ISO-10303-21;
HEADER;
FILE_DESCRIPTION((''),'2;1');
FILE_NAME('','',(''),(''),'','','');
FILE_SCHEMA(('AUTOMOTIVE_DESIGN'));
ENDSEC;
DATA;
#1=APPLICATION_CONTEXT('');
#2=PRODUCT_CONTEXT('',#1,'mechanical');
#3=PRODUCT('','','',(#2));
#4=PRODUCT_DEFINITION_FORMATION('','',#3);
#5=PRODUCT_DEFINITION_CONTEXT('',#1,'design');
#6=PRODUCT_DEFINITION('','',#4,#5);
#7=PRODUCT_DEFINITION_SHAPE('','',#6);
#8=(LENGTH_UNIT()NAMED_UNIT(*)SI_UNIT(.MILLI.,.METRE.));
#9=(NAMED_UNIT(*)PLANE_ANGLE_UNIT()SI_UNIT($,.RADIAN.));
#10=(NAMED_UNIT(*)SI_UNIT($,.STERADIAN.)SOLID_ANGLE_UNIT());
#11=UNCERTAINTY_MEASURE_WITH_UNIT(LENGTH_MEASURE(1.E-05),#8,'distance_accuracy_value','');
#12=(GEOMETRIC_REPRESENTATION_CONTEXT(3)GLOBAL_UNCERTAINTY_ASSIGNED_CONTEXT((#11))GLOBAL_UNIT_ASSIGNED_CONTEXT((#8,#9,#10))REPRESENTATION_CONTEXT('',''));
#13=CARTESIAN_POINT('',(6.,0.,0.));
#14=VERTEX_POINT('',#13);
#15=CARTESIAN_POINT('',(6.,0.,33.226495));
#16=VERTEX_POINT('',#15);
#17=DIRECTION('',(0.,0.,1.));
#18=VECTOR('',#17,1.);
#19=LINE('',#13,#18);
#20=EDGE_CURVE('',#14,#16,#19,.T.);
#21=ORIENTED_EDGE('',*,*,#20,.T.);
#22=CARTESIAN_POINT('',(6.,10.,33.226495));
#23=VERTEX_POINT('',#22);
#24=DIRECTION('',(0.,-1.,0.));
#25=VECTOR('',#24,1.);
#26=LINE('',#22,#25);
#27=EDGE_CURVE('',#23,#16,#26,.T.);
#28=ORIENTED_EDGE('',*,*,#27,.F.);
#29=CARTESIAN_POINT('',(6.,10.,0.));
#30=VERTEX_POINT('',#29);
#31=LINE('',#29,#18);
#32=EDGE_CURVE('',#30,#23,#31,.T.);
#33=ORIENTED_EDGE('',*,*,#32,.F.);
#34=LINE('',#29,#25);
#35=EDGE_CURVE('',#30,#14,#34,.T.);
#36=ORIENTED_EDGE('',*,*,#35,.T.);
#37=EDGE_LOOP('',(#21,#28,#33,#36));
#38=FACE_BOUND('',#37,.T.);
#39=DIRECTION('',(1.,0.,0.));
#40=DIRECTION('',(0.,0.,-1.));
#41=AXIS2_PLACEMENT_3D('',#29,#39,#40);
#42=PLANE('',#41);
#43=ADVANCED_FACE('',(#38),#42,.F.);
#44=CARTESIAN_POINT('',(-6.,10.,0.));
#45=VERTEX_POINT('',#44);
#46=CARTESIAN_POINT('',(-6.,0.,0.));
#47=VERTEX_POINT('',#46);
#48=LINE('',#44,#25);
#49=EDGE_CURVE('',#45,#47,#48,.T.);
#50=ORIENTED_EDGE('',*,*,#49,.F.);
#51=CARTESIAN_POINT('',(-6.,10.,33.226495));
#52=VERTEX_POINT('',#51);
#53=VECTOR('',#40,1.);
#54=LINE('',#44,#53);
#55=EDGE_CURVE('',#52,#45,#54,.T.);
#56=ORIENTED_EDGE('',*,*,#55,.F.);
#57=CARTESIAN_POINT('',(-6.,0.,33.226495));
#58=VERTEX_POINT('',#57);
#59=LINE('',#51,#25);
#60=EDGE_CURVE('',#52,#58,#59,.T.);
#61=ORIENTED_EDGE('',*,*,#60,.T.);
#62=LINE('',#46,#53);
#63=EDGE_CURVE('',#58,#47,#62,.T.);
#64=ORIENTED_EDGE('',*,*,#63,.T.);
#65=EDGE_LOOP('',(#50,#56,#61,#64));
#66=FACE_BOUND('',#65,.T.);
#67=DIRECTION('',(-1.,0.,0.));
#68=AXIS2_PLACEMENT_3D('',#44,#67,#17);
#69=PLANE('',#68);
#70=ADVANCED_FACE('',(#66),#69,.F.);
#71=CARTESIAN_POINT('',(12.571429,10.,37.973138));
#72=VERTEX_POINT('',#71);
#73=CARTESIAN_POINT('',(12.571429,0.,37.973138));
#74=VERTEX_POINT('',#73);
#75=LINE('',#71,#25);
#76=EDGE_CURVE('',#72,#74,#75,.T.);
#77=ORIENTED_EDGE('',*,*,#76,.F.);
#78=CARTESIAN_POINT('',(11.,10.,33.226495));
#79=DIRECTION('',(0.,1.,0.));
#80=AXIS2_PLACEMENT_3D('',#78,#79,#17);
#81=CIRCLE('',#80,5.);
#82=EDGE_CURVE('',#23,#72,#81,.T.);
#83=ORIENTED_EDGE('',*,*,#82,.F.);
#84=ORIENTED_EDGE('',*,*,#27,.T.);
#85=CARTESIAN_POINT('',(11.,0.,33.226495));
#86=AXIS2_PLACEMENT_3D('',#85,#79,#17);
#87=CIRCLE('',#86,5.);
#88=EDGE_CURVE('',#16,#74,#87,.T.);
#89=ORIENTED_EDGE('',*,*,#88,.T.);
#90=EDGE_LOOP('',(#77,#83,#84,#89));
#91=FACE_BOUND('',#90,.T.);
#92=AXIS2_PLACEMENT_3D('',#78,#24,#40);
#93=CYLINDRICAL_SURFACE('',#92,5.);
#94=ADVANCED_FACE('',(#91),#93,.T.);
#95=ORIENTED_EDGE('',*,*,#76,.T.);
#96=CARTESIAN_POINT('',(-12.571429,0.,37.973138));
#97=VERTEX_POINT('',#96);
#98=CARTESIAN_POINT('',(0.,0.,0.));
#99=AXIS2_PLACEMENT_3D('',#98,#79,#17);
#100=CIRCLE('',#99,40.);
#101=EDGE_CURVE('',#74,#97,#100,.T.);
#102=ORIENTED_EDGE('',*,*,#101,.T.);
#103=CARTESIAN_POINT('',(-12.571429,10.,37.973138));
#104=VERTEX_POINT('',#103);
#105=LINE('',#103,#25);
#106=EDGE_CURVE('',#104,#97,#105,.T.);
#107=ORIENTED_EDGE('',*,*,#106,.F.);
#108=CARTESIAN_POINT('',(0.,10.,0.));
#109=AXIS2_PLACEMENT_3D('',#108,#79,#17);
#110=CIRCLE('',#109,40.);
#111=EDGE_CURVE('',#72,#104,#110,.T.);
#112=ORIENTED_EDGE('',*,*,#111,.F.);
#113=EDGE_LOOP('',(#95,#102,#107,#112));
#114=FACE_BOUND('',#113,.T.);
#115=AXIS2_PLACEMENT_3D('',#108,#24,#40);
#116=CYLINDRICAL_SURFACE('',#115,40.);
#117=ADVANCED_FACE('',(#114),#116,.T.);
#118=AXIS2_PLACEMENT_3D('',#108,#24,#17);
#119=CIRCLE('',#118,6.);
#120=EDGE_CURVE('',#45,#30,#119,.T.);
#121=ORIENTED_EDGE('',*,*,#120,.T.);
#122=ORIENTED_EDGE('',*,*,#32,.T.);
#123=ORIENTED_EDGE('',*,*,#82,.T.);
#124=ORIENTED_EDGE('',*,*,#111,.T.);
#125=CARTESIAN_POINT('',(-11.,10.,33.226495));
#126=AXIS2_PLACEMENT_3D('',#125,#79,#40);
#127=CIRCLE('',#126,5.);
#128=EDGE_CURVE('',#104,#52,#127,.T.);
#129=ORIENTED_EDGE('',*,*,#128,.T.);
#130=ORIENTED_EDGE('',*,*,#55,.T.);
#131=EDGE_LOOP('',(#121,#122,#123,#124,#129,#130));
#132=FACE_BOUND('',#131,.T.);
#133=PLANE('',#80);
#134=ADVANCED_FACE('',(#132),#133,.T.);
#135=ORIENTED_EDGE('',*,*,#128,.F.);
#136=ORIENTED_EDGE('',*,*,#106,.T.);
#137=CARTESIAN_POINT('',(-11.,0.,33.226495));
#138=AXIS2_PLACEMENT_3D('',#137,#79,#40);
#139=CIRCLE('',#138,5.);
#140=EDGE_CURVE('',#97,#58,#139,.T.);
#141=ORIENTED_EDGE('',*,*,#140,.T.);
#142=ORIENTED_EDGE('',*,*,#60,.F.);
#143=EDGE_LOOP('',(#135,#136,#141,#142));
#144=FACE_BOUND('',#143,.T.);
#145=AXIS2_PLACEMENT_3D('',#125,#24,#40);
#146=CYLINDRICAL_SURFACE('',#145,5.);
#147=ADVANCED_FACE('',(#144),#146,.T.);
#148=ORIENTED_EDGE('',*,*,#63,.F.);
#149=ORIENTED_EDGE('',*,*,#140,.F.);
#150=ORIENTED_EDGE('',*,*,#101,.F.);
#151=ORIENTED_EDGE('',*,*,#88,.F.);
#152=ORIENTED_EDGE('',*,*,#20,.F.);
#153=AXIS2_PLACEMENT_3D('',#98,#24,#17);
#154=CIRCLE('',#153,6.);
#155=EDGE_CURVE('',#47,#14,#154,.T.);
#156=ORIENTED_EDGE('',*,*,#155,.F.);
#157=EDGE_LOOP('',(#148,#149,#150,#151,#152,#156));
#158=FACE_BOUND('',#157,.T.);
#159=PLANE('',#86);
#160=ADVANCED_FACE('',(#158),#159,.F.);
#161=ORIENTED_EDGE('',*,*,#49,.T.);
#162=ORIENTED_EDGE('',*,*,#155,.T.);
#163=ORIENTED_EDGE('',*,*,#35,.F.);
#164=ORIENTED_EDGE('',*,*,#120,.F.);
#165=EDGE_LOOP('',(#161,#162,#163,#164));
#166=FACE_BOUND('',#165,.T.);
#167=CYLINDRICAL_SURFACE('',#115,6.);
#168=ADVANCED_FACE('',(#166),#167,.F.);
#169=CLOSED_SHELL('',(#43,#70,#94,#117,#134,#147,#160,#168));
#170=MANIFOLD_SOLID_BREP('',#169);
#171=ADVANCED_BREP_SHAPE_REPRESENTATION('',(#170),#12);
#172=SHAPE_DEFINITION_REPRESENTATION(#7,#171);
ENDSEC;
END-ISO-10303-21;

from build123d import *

# Parameters (mm, degrees)
BOSS_EXTRUDE1_DEPTH = 10


with BuildPart() as part:
    # Sketch1 → Boss-Extrude1 (new body)
    with BuildSketch(Plane(origin=(0, 0, 0), x_dir=(1, 0, 0), z_dir=(0, 1, 0))):
        with BuildLine():
            Line((6, 0), (6, -33.226495452))
            ThreePointArc((6, -33.226495452), (8.072299781, -37.279712869), (12.571428571, -37.973137659))
            ThreePointArc((12.571428571, -37.973137659), (0, 40), (-12.571428571, -37.973137659))
            ThreePointArc((-12.571428571, -37.973137659), (-8.072299781, -37.279712869), (-6, -33.226495452))
            Line((-6, -33.226495452), (-6, 0))
            ThreePointArc((-6, 0), (0, 6), (6, 0))
        make_face()
    extrude(amount=BOSS_EXTRUDE1_DEPTH)


solid = part.part
